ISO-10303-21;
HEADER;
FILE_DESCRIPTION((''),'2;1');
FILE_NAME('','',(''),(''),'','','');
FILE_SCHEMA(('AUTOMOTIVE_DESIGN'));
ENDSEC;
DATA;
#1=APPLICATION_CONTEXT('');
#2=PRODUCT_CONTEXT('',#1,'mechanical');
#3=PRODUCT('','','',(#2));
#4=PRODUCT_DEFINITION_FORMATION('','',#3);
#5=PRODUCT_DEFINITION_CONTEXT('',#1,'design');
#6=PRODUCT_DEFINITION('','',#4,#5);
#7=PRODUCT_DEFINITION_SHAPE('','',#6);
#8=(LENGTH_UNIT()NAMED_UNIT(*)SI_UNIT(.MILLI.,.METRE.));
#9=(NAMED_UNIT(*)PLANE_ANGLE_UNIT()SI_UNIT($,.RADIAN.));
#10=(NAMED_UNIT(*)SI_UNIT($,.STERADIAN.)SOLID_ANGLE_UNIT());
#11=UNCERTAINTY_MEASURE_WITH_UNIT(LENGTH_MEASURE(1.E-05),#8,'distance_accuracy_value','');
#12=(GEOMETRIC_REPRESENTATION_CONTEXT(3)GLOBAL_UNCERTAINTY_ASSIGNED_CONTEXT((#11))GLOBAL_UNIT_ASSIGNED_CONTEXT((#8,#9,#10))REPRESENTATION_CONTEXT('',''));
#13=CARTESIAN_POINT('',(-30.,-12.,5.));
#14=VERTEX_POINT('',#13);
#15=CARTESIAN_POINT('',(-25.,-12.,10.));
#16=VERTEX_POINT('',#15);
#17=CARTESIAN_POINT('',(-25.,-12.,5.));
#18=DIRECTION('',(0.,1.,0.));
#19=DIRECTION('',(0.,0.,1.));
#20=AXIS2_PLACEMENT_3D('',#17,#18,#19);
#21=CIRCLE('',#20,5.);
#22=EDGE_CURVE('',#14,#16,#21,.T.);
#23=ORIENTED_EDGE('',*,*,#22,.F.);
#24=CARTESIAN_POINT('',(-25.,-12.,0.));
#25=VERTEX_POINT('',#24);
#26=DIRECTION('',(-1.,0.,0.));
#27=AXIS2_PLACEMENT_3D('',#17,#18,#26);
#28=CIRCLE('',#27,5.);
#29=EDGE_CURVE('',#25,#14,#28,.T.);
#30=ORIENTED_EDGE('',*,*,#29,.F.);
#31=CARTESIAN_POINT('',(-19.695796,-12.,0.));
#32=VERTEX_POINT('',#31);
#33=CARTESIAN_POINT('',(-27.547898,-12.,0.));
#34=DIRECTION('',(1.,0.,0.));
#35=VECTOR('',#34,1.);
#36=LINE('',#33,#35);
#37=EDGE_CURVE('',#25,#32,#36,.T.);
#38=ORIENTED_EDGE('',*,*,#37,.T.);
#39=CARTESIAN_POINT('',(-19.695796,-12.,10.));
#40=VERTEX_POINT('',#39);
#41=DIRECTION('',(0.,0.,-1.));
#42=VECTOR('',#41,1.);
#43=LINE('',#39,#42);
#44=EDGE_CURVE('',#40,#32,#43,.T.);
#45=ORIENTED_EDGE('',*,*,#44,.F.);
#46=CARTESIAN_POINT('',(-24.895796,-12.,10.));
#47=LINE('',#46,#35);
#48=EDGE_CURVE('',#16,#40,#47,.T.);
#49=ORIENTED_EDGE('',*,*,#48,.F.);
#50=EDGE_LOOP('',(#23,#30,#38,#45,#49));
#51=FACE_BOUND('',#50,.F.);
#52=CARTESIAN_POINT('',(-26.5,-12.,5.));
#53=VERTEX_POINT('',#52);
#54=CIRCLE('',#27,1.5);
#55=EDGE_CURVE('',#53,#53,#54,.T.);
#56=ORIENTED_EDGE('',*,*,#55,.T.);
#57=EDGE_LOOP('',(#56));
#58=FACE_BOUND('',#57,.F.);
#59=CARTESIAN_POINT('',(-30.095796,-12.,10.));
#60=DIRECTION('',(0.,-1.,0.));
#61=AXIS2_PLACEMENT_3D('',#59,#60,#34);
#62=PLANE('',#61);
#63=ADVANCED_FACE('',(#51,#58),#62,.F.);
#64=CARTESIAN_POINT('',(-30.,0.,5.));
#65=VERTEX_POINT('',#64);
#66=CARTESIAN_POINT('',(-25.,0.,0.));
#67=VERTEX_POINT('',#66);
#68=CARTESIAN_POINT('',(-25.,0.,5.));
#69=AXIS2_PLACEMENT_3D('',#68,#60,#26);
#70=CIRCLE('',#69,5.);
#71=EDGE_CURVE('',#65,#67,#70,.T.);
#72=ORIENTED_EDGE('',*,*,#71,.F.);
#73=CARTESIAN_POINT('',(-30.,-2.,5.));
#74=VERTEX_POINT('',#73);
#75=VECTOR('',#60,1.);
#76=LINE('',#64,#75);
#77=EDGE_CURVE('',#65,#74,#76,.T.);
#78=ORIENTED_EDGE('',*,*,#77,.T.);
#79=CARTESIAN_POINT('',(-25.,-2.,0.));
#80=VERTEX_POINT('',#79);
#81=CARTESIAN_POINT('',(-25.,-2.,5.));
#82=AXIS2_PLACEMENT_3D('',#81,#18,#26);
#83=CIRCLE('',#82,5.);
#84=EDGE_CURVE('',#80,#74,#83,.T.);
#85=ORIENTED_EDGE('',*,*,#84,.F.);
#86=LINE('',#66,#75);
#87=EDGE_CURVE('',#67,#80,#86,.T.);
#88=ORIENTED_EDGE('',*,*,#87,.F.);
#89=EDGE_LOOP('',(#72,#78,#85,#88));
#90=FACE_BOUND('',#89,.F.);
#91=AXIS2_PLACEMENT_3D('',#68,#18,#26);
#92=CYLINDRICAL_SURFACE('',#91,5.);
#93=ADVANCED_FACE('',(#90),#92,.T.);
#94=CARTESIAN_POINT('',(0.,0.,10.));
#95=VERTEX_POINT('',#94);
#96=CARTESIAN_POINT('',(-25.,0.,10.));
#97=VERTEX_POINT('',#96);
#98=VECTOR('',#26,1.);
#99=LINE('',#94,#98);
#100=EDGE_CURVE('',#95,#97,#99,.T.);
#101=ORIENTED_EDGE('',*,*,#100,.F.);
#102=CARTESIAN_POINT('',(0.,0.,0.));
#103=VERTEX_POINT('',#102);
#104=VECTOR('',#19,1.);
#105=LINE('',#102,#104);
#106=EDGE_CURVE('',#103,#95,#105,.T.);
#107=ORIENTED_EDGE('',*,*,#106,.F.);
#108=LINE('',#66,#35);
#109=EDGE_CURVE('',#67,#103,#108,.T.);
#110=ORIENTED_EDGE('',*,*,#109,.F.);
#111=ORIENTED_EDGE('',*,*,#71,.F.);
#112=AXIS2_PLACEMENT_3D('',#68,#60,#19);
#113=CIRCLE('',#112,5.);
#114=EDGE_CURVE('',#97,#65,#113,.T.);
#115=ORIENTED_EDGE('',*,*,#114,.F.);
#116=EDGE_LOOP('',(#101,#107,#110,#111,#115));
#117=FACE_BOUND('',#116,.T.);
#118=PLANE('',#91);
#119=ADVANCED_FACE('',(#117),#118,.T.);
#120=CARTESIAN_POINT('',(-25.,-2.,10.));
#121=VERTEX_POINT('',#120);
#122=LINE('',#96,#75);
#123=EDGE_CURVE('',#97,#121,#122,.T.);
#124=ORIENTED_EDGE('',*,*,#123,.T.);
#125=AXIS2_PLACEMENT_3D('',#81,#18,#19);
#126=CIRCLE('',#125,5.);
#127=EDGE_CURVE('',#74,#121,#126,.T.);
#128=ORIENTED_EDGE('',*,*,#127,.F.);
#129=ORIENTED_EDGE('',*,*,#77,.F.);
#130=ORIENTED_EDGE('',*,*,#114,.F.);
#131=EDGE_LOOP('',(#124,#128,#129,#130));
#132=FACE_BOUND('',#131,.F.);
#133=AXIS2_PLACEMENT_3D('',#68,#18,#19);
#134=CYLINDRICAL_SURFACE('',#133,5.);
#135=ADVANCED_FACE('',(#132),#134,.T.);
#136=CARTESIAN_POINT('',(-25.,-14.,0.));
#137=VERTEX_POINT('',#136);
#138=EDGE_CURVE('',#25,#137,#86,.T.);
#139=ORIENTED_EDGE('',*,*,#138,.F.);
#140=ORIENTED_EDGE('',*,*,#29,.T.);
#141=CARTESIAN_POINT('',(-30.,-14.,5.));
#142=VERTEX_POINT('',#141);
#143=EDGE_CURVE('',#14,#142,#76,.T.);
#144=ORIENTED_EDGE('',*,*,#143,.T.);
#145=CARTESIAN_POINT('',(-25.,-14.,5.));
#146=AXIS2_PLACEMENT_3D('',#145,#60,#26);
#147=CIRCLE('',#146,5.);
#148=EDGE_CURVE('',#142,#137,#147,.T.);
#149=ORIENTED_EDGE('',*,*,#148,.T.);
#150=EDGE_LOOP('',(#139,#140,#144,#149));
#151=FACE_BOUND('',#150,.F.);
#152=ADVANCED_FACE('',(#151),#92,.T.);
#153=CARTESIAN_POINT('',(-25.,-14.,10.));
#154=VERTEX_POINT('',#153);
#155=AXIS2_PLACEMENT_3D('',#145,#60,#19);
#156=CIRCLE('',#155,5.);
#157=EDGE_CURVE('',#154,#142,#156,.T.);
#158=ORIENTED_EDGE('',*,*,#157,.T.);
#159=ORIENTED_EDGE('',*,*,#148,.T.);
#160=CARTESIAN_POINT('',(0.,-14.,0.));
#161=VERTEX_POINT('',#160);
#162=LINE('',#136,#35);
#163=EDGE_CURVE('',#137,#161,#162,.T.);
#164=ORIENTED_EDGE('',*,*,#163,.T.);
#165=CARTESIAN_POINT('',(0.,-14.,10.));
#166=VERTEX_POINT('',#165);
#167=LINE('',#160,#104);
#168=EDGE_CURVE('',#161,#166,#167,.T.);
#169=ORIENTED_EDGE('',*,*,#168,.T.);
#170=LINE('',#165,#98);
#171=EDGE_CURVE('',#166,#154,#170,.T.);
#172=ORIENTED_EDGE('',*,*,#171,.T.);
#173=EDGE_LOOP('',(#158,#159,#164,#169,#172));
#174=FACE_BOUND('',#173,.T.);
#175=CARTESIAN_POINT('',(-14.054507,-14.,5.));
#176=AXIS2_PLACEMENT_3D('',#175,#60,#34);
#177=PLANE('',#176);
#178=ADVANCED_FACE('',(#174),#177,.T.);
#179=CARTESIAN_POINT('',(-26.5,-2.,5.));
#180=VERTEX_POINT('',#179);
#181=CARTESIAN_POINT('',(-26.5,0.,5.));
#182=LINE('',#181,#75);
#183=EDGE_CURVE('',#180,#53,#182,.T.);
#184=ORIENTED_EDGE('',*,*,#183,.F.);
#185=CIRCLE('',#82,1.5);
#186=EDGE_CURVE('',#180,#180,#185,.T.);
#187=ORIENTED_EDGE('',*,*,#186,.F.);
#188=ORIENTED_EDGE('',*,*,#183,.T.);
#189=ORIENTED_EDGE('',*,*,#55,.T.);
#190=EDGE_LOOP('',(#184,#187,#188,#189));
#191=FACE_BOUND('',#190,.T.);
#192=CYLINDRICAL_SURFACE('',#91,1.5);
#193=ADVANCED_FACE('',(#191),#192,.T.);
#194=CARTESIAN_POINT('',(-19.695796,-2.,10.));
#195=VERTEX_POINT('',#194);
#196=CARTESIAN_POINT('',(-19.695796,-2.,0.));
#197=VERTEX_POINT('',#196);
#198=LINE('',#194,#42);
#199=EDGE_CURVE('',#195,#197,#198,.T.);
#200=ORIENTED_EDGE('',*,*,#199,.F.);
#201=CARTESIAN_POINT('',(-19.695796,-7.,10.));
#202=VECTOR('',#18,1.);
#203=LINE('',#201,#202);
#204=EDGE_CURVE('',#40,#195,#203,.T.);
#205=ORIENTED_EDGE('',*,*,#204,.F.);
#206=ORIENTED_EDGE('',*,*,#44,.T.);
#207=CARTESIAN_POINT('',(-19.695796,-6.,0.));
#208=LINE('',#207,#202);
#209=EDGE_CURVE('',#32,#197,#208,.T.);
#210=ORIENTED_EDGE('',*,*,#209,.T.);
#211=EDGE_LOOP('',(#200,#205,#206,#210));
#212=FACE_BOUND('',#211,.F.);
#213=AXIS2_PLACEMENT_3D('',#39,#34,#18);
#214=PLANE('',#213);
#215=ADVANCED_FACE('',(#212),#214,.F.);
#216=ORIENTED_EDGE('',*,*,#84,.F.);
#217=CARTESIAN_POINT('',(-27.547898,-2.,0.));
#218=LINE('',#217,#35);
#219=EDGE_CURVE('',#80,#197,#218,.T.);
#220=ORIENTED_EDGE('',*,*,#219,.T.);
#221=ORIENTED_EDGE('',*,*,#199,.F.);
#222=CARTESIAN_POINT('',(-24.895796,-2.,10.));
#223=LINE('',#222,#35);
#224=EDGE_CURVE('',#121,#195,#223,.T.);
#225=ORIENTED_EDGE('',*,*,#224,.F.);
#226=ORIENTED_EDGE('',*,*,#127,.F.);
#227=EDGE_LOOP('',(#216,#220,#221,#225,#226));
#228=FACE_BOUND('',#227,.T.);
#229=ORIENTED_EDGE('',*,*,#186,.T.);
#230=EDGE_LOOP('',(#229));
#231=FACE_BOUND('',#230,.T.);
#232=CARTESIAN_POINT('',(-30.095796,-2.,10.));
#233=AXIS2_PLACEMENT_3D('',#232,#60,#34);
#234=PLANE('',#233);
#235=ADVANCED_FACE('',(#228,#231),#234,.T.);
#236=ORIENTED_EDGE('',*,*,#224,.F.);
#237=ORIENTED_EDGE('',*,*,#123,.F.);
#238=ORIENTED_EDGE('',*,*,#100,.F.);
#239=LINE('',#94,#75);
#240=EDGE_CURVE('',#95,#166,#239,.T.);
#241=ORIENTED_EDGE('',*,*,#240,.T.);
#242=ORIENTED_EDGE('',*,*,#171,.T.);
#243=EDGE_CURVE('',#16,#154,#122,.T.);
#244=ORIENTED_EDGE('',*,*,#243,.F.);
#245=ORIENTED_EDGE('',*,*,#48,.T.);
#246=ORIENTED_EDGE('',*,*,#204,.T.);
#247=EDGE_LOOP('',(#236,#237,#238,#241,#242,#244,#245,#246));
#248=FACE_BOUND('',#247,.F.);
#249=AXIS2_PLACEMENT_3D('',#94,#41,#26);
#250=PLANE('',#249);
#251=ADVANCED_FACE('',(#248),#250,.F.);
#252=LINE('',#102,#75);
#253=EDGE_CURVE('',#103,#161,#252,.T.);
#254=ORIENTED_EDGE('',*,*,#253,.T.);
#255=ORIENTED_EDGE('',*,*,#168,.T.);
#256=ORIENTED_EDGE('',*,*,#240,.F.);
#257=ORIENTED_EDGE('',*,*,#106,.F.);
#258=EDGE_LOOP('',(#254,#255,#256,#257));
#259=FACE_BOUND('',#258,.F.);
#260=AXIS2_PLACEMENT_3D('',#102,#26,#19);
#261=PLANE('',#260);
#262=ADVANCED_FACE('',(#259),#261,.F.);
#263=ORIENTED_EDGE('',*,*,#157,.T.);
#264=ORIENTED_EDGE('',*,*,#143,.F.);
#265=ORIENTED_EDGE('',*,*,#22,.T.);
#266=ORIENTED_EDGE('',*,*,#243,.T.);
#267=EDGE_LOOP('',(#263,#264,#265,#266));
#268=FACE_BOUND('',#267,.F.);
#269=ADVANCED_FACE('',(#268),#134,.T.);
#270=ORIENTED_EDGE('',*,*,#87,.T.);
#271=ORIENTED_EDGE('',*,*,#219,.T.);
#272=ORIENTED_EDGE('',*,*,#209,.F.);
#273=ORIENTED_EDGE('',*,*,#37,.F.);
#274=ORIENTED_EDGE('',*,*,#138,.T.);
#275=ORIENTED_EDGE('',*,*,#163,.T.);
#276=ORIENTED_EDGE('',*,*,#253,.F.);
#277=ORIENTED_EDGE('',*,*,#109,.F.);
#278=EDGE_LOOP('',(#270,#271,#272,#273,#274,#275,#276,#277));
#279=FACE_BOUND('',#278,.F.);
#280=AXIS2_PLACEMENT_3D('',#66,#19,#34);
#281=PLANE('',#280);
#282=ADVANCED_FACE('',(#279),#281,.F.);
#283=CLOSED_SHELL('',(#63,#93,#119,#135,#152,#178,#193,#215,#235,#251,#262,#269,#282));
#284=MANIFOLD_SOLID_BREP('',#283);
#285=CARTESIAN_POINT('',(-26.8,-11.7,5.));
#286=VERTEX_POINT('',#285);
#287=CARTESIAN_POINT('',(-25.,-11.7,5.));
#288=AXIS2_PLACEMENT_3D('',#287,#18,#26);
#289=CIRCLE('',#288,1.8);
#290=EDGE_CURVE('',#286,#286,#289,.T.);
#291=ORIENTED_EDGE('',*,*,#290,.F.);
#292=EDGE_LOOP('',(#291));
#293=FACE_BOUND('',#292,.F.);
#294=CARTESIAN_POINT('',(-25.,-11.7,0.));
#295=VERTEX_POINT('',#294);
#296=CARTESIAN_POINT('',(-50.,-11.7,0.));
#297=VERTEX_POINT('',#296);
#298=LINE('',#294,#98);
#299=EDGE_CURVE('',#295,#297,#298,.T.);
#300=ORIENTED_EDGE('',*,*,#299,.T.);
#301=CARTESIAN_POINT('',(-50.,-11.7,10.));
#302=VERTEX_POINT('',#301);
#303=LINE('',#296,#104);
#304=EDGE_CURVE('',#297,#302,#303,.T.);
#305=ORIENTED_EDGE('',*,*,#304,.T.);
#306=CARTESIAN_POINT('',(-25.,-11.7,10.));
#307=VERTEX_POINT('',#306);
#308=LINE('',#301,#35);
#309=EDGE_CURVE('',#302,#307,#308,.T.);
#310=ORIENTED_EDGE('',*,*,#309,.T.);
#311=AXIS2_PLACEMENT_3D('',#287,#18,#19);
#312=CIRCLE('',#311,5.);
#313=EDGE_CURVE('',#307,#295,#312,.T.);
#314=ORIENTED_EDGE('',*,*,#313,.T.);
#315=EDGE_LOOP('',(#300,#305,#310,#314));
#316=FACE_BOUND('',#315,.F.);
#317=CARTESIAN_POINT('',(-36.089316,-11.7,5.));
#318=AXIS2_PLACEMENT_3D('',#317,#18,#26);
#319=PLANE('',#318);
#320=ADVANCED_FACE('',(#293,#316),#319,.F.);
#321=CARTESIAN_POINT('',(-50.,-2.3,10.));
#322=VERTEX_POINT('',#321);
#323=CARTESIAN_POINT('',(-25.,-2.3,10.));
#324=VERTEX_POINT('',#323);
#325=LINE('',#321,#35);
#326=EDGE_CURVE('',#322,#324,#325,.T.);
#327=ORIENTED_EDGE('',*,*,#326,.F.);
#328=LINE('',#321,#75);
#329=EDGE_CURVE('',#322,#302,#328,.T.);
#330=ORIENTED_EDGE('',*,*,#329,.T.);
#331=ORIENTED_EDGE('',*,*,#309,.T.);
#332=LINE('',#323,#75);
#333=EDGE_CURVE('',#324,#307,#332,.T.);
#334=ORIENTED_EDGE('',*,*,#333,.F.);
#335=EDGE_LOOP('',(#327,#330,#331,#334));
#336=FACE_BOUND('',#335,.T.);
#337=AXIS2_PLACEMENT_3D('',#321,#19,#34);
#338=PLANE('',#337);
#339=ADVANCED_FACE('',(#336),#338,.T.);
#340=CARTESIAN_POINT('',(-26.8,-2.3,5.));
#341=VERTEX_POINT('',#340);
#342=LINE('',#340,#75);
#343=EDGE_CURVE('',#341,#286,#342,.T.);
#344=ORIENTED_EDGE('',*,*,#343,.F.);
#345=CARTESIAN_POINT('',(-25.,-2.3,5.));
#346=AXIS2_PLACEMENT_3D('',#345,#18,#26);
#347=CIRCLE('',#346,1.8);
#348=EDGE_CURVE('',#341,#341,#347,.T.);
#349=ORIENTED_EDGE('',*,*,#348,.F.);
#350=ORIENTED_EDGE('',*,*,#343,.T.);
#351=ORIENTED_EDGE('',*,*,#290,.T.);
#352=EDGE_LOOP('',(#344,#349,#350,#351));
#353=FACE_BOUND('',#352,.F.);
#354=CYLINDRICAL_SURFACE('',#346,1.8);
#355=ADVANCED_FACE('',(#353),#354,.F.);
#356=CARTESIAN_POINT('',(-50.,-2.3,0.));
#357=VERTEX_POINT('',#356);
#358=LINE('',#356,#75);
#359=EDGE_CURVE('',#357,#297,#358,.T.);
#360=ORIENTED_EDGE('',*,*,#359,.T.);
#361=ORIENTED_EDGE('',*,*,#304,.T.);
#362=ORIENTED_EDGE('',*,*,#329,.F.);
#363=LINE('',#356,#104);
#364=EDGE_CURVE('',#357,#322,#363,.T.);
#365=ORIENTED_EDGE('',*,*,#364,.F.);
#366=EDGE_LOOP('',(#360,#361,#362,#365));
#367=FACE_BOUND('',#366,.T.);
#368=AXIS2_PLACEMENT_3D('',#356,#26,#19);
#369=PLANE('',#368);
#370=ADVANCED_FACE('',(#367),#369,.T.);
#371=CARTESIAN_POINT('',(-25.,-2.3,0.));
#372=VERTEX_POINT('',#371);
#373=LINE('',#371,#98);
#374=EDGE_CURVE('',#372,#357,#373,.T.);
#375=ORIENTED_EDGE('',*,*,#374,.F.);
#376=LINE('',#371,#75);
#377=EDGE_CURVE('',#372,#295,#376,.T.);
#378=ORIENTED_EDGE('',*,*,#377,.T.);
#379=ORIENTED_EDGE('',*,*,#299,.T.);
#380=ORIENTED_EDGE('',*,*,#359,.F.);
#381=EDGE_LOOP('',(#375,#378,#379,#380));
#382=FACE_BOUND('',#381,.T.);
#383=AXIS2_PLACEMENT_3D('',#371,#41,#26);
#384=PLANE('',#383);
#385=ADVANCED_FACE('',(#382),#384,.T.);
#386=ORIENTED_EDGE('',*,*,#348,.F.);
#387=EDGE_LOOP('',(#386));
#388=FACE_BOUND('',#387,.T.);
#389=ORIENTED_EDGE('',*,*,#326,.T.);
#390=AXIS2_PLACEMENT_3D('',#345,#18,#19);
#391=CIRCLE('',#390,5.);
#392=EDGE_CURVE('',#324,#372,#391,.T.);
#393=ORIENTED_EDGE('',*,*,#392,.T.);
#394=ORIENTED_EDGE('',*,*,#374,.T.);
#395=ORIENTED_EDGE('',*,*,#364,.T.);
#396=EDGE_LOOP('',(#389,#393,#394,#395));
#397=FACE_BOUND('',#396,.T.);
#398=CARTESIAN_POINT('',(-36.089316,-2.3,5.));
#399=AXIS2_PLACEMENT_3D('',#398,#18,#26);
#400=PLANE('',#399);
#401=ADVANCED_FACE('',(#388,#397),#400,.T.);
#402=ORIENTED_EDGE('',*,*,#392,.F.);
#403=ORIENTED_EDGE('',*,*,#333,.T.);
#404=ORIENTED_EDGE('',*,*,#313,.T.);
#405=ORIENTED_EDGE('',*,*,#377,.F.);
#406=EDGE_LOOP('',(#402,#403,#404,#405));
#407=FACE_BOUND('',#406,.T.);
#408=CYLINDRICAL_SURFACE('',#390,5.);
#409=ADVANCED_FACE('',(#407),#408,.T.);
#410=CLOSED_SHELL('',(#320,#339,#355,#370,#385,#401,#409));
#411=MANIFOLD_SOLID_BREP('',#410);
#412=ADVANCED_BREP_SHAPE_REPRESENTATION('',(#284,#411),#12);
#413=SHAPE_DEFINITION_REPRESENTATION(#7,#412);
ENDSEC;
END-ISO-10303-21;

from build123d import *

# Parameters (mm, degrees)
F1_DEPTH = 14
F2_W     = 10.4
F2_H     = 10
F3_DEPTH = 10.001
F4_R     = 1.5
F5_DEPTH = 12
F7_R     = 1.8
F8_DEPTH = 9.4


with BuildPart() as f1:
    # F0 (on Front) → F1 (new body)
    with BuildSketch(Plane.XZ):
        with BuildLine():
            Line((-25, 0), (0, 0))
            Line((0, 0), (0, 10))
            Line((0, 10), (-25, 10))
            ThreePointArc((-25, 10), (-28.5355339059, 8.5355339059), (-30, 5))
            ThreePointArc((-30, 5), (-28.5355339059, 1.4644660941), (-25, 0))
        make_face()
    extrude(amount=F1_DEPTH)

    # F2 (on face) → F3 (cut, through all)
    with BuildSketch(Plane.XY.offset(10)):
        with Locations((-24.8957956722, -7)):
            Rectangle(F2_W, F2_H)
    extrude(amount=-F3_DEPTH, mode=Mode.SUBTRACT)

    # F4 (on face) → F5 (join, through all)
    with BuildSketch(Plane(origin=(0, 0, 0), x_dir=(-1, 0, 0), z_dir=(0, 1, 0))):
        with Locations((25, 5)):
            Circle(F4_R)
    extrude(amount=-F5_DEPTH)


with BuildPart() as f8:
    # F7 (on offset) → F8 (new body)
    with BuildSketch(Plane(origin=(0, -2.3, 0), x_dir=(-1, 0, 0), z_dir=(0, 1, 0))):
        with BuildLine():
            Line((50, 10), (25, 10))
            ThreePointArc((25, 10), (20, 5), (25, 0))
            Line((25, 0), (50, 0))
            Line((50, 0), (50, 10))
        make_face()
        with Locations((25, 5)):
            Circle(F7_R, mode=Mode.SUBTRACT)
    extrude(amount=-F8_DEPTH)


solid = Compound([f1.part, f8.part])
